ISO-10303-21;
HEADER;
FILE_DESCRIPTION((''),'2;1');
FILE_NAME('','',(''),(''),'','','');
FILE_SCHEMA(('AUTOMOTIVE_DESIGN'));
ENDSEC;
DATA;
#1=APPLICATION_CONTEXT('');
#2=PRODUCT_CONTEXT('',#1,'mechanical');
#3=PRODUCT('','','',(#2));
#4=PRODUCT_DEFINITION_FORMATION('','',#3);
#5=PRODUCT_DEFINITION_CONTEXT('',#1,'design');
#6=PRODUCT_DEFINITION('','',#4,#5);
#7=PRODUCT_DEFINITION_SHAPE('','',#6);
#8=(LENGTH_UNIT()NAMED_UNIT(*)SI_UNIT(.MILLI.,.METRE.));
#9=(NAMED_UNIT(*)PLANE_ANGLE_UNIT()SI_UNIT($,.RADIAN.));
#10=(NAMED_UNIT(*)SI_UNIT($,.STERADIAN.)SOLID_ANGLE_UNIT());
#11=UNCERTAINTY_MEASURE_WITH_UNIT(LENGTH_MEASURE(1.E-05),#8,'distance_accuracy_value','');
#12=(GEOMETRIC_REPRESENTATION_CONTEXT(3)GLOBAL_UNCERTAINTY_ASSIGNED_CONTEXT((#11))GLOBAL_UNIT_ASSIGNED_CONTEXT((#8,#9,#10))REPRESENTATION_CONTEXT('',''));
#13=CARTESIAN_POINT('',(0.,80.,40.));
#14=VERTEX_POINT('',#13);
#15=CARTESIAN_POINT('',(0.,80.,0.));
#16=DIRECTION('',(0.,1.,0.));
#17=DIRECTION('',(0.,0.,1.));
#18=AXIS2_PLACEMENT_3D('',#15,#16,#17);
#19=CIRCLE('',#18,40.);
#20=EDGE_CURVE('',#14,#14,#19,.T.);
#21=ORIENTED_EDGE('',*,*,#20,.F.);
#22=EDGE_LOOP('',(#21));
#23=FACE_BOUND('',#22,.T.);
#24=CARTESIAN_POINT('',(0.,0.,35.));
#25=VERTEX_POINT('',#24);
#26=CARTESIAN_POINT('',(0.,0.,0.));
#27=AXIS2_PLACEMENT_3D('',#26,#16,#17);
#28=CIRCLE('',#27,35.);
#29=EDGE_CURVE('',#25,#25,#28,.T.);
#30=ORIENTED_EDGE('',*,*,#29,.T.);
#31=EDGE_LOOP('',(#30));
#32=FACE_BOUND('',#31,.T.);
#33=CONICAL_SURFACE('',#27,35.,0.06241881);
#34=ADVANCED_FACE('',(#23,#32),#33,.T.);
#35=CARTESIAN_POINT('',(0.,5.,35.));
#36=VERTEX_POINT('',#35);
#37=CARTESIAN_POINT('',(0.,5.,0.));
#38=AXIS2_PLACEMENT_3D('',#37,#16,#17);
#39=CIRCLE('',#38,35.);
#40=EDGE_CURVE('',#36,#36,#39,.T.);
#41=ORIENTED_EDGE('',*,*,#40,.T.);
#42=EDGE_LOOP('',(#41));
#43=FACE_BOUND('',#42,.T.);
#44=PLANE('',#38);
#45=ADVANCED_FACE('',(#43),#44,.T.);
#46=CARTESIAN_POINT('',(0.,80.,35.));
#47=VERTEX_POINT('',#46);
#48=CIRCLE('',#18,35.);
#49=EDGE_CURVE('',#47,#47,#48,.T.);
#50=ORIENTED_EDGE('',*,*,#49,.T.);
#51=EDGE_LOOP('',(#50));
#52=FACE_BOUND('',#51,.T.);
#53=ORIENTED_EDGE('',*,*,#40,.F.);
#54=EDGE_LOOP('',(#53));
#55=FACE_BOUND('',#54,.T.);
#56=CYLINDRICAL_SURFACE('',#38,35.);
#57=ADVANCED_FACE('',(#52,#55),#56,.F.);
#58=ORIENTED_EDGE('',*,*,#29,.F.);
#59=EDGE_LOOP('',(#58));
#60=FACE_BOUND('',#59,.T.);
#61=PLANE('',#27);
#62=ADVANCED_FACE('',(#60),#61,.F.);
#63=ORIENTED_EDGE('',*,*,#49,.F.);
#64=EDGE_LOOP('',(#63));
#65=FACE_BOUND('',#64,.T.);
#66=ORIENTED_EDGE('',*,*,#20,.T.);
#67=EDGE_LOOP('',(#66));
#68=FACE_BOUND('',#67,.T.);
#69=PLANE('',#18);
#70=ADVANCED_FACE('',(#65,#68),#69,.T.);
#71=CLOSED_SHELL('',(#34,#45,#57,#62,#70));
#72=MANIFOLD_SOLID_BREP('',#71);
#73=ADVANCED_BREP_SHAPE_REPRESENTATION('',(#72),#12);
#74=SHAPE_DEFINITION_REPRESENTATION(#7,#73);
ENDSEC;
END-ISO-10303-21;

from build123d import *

# Parameters (mm, degrees)
CROQUIS2_R            = 40
CROQUIS1_R            = 35
CROQUIS3_R            = 35
CORTAR_EXTRUIR2_DEPTH = 75


with BuildPart() as part:
    # Croquis2 → Recubrir1 section 0
    with BuildSketch(Plane(origin=(0, 80, 0), x_dir=(1, 0, 0), z_dir=(0, 1, 0))):
        Circle(CROQUIS2_R)
    # Croquis1 → Recubrir1 section 1
    with BuildSketch(Plane(origin=(0, 0, 0), x_dir=(1, 0, 0), z_dir=(0, 1, 0))):
        Circle(CROQUIS1_R)
    loft()

    # Croquis3 → Cortar-Extruir2 (cut)
    with BuildSketch(Plane(origin=(0, 80, 0), x_dir=(1, 0, 0), z_dir=(0, 1, 0))):
        with Locations(Location((0, 0, 0), (0, 0, 270))):
            Circle(CROQUIS3_R)
    extrude(amount=-CORTAR_EXTRUIR2_DEPTH, mode=Mode.SUBTRACT)


solid = part.part
